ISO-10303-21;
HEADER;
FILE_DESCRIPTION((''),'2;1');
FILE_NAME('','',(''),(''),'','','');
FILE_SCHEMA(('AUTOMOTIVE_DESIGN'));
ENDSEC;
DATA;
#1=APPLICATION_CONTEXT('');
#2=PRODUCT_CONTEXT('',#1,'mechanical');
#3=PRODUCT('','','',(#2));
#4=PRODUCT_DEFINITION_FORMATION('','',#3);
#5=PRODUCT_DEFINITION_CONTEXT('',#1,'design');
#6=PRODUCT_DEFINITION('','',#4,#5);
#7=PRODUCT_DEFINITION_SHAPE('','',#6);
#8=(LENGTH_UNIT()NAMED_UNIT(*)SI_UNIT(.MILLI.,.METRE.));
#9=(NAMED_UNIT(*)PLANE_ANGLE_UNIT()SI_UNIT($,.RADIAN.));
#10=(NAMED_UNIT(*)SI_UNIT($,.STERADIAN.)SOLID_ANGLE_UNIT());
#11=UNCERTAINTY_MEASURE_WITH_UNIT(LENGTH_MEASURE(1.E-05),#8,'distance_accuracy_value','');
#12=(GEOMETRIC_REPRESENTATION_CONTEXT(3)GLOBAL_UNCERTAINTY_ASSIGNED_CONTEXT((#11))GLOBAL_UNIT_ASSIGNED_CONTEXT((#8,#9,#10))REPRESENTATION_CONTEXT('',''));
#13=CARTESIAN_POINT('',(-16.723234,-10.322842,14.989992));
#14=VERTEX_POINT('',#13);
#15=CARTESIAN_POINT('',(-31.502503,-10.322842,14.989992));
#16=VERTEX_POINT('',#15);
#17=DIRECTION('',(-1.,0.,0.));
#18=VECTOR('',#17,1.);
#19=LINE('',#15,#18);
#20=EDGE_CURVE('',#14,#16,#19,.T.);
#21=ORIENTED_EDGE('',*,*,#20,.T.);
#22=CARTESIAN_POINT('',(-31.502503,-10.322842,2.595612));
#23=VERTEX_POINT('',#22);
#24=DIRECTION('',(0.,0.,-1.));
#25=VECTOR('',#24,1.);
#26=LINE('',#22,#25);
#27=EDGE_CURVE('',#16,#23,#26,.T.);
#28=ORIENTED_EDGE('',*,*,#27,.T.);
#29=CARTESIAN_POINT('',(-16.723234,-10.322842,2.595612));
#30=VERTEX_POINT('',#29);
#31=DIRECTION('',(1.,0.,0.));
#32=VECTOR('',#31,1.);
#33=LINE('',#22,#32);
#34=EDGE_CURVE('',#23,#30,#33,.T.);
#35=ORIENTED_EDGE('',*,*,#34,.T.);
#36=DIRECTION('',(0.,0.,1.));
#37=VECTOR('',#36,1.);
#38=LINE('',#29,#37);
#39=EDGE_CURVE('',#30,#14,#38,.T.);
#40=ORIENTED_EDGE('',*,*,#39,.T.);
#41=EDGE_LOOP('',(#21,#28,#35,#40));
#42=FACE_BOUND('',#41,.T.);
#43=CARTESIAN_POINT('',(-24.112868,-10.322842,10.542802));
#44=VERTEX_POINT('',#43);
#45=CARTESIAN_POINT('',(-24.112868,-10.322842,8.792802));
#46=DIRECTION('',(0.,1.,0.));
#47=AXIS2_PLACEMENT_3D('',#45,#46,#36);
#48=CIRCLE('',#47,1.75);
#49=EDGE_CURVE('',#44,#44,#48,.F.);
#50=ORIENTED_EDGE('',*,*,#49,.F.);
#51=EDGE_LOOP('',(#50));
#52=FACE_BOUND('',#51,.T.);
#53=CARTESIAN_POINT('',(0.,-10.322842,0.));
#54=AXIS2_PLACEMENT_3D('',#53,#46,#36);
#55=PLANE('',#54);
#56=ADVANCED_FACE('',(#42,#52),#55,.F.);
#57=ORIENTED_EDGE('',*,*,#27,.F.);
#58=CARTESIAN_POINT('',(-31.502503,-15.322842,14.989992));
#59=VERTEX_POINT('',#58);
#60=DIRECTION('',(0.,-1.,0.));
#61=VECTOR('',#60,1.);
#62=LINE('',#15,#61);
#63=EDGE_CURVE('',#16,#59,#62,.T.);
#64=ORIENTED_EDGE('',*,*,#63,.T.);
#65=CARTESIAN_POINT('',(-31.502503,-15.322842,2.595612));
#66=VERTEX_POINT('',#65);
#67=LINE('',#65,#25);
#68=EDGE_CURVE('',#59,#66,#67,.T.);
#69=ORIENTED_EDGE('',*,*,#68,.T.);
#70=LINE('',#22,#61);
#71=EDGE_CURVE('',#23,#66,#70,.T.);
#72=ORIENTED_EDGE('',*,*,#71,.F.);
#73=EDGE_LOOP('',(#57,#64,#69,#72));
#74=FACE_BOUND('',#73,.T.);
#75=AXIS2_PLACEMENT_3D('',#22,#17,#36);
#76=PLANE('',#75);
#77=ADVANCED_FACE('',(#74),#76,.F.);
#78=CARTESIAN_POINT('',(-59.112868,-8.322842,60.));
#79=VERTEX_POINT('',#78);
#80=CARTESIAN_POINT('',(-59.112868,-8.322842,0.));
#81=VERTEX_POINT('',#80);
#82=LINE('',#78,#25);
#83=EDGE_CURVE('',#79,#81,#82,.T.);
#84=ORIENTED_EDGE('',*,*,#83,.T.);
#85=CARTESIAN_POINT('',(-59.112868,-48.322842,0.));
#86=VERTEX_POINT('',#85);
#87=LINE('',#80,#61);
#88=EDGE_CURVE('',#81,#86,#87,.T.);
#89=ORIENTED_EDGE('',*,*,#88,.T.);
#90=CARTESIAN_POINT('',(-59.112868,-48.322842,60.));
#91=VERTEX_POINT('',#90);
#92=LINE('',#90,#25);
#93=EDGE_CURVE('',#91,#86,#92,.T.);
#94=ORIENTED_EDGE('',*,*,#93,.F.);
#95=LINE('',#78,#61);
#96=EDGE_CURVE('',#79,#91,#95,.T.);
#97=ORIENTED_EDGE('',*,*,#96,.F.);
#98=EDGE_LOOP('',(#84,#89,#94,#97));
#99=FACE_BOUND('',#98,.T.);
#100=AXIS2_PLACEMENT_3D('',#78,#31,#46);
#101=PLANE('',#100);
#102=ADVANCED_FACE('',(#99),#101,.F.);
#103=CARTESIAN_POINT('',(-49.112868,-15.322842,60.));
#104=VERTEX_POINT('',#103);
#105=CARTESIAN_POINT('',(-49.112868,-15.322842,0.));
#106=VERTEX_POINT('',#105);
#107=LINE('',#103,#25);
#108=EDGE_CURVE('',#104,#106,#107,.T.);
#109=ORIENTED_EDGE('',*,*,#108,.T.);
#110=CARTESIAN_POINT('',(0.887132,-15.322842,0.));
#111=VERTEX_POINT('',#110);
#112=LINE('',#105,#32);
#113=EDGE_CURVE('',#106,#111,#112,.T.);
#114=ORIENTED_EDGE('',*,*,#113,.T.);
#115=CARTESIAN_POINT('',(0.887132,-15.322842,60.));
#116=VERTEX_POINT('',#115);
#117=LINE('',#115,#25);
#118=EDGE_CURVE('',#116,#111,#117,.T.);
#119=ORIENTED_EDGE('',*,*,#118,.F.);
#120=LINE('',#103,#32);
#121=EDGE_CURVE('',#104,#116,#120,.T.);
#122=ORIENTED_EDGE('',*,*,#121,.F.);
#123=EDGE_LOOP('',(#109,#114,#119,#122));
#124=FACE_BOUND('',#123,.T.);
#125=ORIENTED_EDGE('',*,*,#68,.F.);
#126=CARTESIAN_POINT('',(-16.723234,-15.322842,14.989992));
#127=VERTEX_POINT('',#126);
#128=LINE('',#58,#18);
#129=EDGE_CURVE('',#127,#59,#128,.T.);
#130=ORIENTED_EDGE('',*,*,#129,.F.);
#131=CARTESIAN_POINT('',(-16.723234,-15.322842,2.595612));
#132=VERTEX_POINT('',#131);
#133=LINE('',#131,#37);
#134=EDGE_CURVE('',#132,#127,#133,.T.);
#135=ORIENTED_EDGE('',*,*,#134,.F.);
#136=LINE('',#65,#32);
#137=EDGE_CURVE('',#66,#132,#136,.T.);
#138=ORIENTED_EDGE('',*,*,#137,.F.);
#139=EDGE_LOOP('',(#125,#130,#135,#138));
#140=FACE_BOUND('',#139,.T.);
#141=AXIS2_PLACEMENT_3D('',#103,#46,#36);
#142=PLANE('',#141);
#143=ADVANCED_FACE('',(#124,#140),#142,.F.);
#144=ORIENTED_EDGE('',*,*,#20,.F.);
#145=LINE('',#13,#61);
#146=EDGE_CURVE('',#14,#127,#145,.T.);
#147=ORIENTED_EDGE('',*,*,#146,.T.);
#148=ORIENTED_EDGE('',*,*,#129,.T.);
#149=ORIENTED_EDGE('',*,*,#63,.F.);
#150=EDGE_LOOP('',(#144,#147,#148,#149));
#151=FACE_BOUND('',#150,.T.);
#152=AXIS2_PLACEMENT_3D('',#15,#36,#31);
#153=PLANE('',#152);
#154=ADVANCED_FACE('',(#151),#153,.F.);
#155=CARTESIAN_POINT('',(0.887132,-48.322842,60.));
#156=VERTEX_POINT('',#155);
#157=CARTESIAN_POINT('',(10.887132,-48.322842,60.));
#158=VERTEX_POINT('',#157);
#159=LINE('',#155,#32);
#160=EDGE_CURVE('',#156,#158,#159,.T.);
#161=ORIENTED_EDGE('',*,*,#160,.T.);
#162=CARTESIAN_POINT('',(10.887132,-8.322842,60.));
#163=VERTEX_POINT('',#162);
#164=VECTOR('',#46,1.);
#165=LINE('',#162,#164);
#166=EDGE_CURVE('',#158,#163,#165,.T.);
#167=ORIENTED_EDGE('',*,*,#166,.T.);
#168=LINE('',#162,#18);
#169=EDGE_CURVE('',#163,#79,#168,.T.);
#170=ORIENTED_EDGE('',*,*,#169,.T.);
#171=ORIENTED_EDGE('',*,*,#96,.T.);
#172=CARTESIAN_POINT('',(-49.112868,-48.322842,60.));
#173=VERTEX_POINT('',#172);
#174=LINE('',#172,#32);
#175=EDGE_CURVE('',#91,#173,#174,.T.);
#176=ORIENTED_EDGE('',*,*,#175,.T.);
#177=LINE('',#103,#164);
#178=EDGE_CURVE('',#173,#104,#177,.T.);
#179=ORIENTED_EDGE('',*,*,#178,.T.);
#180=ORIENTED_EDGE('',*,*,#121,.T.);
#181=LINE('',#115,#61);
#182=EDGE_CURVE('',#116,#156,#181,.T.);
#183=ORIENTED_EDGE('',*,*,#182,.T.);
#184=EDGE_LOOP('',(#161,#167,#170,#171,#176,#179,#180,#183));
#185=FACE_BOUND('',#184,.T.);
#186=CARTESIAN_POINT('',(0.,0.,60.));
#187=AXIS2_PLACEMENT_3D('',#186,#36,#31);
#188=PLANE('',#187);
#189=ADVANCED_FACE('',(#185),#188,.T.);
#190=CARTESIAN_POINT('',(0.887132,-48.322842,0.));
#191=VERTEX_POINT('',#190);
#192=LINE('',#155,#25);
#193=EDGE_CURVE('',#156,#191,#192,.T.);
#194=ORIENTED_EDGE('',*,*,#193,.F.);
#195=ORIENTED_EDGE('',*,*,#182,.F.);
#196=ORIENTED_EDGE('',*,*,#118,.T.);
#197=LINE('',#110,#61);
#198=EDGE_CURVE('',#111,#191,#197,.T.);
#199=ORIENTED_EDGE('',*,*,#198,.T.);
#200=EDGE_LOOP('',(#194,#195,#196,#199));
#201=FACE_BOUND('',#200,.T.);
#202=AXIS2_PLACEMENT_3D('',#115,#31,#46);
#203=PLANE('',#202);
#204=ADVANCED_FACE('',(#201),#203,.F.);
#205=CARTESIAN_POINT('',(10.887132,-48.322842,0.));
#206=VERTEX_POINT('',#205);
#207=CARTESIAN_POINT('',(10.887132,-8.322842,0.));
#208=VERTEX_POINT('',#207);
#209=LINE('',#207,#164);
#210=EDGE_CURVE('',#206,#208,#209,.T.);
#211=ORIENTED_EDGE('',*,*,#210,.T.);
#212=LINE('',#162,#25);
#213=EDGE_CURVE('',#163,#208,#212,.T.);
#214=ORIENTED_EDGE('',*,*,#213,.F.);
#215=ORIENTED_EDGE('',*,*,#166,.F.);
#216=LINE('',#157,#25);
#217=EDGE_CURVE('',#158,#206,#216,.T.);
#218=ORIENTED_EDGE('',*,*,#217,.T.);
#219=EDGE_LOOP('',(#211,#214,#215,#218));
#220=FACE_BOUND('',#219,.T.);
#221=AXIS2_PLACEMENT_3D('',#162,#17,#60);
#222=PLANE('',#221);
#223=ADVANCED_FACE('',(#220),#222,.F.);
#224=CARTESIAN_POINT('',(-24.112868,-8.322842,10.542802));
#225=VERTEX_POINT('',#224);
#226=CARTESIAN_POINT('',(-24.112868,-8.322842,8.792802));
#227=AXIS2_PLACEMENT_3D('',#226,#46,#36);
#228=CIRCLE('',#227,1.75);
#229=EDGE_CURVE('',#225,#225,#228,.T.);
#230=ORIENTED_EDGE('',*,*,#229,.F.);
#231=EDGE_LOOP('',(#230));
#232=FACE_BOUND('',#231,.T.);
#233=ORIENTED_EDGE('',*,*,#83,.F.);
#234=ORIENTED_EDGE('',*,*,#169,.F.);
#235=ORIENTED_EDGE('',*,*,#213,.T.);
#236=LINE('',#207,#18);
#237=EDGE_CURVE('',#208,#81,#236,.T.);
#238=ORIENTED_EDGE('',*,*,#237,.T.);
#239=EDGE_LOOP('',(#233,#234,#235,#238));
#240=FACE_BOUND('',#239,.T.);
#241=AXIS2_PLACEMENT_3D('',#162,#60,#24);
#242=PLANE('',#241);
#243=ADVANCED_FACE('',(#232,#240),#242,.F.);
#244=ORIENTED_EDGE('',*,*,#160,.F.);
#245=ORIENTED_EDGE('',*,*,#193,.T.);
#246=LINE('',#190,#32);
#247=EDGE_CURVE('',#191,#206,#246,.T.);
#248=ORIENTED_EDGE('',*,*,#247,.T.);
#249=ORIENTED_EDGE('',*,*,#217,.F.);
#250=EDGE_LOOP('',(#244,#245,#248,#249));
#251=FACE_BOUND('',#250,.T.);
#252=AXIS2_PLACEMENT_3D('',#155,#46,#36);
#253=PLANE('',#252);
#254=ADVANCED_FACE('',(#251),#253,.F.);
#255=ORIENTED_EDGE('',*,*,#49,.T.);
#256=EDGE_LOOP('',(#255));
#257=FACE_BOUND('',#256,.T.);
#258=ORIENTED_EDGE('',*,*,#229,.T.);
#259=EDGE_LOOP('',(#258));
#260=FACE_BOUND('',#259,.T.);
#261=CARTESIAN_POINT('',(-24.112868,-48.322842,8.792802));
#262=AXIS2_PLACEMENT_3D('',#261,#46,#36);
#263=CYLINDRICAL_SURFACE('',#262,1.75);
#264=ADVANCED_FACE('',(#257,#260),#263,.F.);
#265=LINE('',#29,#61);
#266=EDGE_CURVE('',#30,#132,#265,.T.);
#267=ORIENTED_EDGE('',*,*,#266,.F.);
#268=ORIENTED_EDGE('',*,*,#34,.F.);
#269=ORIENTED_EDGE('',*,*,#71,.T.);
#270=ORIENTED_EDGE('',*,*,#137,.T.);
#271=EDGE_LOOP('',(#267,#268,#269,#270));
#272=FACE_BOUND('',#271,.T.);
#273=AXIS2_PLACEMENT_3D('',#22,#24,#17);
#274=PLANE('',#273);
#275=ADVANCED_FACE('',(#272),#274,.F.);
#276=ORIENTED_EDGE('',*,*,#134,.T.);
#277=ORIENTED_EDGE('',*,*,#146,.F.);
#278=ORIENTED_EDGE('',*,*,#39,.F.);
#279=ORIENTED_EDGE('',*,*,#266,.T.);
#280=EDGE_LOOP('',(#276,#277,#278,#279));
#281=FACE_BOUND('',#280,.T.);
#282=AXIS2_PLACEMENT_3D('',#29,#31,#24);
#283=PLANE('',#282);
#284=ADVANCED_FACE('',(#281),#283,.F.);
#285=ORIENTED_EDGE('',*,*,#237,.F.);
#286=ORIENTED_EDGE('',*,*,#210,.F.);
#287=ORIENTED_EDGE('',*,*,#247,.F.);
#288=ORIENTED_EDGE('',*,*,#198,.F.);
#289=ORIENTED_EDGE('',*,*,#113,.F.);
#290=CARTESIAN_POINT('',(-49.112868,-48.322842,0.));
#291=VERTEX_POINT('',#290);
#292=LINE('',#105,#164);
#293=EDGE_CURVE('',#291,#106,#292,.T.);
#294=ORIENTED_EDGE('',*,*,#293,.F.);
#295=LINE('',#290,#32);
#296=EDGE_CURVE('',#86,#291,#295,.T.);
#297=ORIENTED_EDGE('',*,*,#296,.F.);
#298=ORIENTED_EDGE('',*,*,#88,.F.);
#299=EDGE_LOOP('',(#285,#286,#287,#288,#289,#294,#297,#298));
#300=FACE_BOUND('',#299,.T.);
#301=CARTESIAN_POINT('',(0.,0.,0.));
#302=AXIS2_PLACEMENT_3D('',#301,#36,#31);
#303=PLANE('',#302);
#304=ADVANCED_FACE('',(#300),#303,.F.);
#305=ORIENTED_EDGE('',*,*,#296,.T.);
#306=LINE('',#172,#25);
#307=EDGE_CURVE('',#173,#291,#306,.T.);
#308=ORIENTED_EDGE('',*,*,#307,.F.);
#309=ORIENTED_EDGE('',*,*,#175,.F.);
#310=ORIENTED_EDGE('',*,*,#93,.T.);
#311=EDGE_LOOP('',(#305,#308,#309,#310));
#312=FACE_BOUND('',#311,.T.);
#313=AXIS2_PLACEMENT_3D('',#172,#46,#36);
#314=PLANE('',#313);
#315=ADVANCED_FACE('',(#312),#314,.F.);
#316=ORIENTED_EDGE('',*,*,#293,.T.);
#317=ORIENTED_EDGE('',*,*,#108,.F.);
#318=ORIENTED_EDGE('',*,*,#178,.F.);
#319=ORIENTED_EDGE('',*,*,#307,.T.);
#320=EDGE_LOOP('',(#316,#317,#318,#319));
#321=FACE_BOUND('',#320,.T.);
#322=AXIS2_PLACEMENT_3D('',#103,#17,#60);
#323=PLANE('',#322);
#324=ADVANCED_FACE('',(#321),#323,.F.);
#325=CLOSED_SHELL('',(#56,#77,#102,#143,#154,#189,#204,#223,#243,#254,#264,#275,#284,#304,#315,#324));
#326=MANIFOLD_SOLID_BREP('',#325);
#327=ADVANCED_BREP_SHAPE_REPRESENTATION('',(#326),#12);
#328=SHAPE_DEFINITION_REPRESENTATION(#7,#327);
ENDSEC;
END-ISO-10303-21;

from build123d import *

# Parameters (mm, degrees)
BOSS_EXTRUDE1_DEPTH     = 60
CUT_EXTRUDE1_DEPTH      = 91.461766578
CUT_EXTRUDE1_DEPTH_BACK = 91.461766578
SKETCH2_R               = 1.75
SKETCH3_W               = 14.779269325
SKETCH3_H               = 12.394379378
CUT_EXTRUDE2_DEPTH      = 5


with BuildPart() as part:
    # Sketch1 → Boss-Extrude1 (new body)
    with BuildSketch(Plane.XY):
        Polygon((-59.112868416, -8.322842348), (-59.112868416, -48.322842348), (-49.112868416, -48.322842348), (-49.112868416, -15.322842348), (0.887131584, -15.322842348), (0.887131584, -48.322842348), (10.887131584, -48.322842348), (10.887131584, -8.322842348), align=None)
    extrude(amount=BOSS_EXTRUDE1_DEPTH)

    # Sketch2 → Cut-Extrude1 (cut, two sides: drawn at the far end of the back side and taken through both)
    with BuildSketch(Plane(origin=(0, -15.322842348, 0), x_dir=(1, 0, 0), z_dir=(0, 1, 0)).offset(-CUT_EXTRUDE1_DEPTH_BACK)):
        with Locations(Location((-24.112868416, -8.79280196, 0), (0, 0, 270))):
            Circle(SKETCH2_R)
    extrude(amount=CUT_EXTRUDE1_DEPTH + CUT_EXTRUDE1_DEPTH_BACK, mode=Mode.SUBTRACT)

    # Sketch3 → Cut-Extrude2 (cut)
    with BuildSketch(Plane(origin=(0, -15.322842348, 0), x_dir=(-1, 0, 0), z_dir=(0, -1, 0))):
        with Locations((24.112868416, -8.79280196)):
            Rectangle(SKETCH3_W, SKETCH3_H)
    extrude(amount=-CUT_EXTRUDE2_DEPTH, mode=Mode.SUBTRACT)


solid = part.part
